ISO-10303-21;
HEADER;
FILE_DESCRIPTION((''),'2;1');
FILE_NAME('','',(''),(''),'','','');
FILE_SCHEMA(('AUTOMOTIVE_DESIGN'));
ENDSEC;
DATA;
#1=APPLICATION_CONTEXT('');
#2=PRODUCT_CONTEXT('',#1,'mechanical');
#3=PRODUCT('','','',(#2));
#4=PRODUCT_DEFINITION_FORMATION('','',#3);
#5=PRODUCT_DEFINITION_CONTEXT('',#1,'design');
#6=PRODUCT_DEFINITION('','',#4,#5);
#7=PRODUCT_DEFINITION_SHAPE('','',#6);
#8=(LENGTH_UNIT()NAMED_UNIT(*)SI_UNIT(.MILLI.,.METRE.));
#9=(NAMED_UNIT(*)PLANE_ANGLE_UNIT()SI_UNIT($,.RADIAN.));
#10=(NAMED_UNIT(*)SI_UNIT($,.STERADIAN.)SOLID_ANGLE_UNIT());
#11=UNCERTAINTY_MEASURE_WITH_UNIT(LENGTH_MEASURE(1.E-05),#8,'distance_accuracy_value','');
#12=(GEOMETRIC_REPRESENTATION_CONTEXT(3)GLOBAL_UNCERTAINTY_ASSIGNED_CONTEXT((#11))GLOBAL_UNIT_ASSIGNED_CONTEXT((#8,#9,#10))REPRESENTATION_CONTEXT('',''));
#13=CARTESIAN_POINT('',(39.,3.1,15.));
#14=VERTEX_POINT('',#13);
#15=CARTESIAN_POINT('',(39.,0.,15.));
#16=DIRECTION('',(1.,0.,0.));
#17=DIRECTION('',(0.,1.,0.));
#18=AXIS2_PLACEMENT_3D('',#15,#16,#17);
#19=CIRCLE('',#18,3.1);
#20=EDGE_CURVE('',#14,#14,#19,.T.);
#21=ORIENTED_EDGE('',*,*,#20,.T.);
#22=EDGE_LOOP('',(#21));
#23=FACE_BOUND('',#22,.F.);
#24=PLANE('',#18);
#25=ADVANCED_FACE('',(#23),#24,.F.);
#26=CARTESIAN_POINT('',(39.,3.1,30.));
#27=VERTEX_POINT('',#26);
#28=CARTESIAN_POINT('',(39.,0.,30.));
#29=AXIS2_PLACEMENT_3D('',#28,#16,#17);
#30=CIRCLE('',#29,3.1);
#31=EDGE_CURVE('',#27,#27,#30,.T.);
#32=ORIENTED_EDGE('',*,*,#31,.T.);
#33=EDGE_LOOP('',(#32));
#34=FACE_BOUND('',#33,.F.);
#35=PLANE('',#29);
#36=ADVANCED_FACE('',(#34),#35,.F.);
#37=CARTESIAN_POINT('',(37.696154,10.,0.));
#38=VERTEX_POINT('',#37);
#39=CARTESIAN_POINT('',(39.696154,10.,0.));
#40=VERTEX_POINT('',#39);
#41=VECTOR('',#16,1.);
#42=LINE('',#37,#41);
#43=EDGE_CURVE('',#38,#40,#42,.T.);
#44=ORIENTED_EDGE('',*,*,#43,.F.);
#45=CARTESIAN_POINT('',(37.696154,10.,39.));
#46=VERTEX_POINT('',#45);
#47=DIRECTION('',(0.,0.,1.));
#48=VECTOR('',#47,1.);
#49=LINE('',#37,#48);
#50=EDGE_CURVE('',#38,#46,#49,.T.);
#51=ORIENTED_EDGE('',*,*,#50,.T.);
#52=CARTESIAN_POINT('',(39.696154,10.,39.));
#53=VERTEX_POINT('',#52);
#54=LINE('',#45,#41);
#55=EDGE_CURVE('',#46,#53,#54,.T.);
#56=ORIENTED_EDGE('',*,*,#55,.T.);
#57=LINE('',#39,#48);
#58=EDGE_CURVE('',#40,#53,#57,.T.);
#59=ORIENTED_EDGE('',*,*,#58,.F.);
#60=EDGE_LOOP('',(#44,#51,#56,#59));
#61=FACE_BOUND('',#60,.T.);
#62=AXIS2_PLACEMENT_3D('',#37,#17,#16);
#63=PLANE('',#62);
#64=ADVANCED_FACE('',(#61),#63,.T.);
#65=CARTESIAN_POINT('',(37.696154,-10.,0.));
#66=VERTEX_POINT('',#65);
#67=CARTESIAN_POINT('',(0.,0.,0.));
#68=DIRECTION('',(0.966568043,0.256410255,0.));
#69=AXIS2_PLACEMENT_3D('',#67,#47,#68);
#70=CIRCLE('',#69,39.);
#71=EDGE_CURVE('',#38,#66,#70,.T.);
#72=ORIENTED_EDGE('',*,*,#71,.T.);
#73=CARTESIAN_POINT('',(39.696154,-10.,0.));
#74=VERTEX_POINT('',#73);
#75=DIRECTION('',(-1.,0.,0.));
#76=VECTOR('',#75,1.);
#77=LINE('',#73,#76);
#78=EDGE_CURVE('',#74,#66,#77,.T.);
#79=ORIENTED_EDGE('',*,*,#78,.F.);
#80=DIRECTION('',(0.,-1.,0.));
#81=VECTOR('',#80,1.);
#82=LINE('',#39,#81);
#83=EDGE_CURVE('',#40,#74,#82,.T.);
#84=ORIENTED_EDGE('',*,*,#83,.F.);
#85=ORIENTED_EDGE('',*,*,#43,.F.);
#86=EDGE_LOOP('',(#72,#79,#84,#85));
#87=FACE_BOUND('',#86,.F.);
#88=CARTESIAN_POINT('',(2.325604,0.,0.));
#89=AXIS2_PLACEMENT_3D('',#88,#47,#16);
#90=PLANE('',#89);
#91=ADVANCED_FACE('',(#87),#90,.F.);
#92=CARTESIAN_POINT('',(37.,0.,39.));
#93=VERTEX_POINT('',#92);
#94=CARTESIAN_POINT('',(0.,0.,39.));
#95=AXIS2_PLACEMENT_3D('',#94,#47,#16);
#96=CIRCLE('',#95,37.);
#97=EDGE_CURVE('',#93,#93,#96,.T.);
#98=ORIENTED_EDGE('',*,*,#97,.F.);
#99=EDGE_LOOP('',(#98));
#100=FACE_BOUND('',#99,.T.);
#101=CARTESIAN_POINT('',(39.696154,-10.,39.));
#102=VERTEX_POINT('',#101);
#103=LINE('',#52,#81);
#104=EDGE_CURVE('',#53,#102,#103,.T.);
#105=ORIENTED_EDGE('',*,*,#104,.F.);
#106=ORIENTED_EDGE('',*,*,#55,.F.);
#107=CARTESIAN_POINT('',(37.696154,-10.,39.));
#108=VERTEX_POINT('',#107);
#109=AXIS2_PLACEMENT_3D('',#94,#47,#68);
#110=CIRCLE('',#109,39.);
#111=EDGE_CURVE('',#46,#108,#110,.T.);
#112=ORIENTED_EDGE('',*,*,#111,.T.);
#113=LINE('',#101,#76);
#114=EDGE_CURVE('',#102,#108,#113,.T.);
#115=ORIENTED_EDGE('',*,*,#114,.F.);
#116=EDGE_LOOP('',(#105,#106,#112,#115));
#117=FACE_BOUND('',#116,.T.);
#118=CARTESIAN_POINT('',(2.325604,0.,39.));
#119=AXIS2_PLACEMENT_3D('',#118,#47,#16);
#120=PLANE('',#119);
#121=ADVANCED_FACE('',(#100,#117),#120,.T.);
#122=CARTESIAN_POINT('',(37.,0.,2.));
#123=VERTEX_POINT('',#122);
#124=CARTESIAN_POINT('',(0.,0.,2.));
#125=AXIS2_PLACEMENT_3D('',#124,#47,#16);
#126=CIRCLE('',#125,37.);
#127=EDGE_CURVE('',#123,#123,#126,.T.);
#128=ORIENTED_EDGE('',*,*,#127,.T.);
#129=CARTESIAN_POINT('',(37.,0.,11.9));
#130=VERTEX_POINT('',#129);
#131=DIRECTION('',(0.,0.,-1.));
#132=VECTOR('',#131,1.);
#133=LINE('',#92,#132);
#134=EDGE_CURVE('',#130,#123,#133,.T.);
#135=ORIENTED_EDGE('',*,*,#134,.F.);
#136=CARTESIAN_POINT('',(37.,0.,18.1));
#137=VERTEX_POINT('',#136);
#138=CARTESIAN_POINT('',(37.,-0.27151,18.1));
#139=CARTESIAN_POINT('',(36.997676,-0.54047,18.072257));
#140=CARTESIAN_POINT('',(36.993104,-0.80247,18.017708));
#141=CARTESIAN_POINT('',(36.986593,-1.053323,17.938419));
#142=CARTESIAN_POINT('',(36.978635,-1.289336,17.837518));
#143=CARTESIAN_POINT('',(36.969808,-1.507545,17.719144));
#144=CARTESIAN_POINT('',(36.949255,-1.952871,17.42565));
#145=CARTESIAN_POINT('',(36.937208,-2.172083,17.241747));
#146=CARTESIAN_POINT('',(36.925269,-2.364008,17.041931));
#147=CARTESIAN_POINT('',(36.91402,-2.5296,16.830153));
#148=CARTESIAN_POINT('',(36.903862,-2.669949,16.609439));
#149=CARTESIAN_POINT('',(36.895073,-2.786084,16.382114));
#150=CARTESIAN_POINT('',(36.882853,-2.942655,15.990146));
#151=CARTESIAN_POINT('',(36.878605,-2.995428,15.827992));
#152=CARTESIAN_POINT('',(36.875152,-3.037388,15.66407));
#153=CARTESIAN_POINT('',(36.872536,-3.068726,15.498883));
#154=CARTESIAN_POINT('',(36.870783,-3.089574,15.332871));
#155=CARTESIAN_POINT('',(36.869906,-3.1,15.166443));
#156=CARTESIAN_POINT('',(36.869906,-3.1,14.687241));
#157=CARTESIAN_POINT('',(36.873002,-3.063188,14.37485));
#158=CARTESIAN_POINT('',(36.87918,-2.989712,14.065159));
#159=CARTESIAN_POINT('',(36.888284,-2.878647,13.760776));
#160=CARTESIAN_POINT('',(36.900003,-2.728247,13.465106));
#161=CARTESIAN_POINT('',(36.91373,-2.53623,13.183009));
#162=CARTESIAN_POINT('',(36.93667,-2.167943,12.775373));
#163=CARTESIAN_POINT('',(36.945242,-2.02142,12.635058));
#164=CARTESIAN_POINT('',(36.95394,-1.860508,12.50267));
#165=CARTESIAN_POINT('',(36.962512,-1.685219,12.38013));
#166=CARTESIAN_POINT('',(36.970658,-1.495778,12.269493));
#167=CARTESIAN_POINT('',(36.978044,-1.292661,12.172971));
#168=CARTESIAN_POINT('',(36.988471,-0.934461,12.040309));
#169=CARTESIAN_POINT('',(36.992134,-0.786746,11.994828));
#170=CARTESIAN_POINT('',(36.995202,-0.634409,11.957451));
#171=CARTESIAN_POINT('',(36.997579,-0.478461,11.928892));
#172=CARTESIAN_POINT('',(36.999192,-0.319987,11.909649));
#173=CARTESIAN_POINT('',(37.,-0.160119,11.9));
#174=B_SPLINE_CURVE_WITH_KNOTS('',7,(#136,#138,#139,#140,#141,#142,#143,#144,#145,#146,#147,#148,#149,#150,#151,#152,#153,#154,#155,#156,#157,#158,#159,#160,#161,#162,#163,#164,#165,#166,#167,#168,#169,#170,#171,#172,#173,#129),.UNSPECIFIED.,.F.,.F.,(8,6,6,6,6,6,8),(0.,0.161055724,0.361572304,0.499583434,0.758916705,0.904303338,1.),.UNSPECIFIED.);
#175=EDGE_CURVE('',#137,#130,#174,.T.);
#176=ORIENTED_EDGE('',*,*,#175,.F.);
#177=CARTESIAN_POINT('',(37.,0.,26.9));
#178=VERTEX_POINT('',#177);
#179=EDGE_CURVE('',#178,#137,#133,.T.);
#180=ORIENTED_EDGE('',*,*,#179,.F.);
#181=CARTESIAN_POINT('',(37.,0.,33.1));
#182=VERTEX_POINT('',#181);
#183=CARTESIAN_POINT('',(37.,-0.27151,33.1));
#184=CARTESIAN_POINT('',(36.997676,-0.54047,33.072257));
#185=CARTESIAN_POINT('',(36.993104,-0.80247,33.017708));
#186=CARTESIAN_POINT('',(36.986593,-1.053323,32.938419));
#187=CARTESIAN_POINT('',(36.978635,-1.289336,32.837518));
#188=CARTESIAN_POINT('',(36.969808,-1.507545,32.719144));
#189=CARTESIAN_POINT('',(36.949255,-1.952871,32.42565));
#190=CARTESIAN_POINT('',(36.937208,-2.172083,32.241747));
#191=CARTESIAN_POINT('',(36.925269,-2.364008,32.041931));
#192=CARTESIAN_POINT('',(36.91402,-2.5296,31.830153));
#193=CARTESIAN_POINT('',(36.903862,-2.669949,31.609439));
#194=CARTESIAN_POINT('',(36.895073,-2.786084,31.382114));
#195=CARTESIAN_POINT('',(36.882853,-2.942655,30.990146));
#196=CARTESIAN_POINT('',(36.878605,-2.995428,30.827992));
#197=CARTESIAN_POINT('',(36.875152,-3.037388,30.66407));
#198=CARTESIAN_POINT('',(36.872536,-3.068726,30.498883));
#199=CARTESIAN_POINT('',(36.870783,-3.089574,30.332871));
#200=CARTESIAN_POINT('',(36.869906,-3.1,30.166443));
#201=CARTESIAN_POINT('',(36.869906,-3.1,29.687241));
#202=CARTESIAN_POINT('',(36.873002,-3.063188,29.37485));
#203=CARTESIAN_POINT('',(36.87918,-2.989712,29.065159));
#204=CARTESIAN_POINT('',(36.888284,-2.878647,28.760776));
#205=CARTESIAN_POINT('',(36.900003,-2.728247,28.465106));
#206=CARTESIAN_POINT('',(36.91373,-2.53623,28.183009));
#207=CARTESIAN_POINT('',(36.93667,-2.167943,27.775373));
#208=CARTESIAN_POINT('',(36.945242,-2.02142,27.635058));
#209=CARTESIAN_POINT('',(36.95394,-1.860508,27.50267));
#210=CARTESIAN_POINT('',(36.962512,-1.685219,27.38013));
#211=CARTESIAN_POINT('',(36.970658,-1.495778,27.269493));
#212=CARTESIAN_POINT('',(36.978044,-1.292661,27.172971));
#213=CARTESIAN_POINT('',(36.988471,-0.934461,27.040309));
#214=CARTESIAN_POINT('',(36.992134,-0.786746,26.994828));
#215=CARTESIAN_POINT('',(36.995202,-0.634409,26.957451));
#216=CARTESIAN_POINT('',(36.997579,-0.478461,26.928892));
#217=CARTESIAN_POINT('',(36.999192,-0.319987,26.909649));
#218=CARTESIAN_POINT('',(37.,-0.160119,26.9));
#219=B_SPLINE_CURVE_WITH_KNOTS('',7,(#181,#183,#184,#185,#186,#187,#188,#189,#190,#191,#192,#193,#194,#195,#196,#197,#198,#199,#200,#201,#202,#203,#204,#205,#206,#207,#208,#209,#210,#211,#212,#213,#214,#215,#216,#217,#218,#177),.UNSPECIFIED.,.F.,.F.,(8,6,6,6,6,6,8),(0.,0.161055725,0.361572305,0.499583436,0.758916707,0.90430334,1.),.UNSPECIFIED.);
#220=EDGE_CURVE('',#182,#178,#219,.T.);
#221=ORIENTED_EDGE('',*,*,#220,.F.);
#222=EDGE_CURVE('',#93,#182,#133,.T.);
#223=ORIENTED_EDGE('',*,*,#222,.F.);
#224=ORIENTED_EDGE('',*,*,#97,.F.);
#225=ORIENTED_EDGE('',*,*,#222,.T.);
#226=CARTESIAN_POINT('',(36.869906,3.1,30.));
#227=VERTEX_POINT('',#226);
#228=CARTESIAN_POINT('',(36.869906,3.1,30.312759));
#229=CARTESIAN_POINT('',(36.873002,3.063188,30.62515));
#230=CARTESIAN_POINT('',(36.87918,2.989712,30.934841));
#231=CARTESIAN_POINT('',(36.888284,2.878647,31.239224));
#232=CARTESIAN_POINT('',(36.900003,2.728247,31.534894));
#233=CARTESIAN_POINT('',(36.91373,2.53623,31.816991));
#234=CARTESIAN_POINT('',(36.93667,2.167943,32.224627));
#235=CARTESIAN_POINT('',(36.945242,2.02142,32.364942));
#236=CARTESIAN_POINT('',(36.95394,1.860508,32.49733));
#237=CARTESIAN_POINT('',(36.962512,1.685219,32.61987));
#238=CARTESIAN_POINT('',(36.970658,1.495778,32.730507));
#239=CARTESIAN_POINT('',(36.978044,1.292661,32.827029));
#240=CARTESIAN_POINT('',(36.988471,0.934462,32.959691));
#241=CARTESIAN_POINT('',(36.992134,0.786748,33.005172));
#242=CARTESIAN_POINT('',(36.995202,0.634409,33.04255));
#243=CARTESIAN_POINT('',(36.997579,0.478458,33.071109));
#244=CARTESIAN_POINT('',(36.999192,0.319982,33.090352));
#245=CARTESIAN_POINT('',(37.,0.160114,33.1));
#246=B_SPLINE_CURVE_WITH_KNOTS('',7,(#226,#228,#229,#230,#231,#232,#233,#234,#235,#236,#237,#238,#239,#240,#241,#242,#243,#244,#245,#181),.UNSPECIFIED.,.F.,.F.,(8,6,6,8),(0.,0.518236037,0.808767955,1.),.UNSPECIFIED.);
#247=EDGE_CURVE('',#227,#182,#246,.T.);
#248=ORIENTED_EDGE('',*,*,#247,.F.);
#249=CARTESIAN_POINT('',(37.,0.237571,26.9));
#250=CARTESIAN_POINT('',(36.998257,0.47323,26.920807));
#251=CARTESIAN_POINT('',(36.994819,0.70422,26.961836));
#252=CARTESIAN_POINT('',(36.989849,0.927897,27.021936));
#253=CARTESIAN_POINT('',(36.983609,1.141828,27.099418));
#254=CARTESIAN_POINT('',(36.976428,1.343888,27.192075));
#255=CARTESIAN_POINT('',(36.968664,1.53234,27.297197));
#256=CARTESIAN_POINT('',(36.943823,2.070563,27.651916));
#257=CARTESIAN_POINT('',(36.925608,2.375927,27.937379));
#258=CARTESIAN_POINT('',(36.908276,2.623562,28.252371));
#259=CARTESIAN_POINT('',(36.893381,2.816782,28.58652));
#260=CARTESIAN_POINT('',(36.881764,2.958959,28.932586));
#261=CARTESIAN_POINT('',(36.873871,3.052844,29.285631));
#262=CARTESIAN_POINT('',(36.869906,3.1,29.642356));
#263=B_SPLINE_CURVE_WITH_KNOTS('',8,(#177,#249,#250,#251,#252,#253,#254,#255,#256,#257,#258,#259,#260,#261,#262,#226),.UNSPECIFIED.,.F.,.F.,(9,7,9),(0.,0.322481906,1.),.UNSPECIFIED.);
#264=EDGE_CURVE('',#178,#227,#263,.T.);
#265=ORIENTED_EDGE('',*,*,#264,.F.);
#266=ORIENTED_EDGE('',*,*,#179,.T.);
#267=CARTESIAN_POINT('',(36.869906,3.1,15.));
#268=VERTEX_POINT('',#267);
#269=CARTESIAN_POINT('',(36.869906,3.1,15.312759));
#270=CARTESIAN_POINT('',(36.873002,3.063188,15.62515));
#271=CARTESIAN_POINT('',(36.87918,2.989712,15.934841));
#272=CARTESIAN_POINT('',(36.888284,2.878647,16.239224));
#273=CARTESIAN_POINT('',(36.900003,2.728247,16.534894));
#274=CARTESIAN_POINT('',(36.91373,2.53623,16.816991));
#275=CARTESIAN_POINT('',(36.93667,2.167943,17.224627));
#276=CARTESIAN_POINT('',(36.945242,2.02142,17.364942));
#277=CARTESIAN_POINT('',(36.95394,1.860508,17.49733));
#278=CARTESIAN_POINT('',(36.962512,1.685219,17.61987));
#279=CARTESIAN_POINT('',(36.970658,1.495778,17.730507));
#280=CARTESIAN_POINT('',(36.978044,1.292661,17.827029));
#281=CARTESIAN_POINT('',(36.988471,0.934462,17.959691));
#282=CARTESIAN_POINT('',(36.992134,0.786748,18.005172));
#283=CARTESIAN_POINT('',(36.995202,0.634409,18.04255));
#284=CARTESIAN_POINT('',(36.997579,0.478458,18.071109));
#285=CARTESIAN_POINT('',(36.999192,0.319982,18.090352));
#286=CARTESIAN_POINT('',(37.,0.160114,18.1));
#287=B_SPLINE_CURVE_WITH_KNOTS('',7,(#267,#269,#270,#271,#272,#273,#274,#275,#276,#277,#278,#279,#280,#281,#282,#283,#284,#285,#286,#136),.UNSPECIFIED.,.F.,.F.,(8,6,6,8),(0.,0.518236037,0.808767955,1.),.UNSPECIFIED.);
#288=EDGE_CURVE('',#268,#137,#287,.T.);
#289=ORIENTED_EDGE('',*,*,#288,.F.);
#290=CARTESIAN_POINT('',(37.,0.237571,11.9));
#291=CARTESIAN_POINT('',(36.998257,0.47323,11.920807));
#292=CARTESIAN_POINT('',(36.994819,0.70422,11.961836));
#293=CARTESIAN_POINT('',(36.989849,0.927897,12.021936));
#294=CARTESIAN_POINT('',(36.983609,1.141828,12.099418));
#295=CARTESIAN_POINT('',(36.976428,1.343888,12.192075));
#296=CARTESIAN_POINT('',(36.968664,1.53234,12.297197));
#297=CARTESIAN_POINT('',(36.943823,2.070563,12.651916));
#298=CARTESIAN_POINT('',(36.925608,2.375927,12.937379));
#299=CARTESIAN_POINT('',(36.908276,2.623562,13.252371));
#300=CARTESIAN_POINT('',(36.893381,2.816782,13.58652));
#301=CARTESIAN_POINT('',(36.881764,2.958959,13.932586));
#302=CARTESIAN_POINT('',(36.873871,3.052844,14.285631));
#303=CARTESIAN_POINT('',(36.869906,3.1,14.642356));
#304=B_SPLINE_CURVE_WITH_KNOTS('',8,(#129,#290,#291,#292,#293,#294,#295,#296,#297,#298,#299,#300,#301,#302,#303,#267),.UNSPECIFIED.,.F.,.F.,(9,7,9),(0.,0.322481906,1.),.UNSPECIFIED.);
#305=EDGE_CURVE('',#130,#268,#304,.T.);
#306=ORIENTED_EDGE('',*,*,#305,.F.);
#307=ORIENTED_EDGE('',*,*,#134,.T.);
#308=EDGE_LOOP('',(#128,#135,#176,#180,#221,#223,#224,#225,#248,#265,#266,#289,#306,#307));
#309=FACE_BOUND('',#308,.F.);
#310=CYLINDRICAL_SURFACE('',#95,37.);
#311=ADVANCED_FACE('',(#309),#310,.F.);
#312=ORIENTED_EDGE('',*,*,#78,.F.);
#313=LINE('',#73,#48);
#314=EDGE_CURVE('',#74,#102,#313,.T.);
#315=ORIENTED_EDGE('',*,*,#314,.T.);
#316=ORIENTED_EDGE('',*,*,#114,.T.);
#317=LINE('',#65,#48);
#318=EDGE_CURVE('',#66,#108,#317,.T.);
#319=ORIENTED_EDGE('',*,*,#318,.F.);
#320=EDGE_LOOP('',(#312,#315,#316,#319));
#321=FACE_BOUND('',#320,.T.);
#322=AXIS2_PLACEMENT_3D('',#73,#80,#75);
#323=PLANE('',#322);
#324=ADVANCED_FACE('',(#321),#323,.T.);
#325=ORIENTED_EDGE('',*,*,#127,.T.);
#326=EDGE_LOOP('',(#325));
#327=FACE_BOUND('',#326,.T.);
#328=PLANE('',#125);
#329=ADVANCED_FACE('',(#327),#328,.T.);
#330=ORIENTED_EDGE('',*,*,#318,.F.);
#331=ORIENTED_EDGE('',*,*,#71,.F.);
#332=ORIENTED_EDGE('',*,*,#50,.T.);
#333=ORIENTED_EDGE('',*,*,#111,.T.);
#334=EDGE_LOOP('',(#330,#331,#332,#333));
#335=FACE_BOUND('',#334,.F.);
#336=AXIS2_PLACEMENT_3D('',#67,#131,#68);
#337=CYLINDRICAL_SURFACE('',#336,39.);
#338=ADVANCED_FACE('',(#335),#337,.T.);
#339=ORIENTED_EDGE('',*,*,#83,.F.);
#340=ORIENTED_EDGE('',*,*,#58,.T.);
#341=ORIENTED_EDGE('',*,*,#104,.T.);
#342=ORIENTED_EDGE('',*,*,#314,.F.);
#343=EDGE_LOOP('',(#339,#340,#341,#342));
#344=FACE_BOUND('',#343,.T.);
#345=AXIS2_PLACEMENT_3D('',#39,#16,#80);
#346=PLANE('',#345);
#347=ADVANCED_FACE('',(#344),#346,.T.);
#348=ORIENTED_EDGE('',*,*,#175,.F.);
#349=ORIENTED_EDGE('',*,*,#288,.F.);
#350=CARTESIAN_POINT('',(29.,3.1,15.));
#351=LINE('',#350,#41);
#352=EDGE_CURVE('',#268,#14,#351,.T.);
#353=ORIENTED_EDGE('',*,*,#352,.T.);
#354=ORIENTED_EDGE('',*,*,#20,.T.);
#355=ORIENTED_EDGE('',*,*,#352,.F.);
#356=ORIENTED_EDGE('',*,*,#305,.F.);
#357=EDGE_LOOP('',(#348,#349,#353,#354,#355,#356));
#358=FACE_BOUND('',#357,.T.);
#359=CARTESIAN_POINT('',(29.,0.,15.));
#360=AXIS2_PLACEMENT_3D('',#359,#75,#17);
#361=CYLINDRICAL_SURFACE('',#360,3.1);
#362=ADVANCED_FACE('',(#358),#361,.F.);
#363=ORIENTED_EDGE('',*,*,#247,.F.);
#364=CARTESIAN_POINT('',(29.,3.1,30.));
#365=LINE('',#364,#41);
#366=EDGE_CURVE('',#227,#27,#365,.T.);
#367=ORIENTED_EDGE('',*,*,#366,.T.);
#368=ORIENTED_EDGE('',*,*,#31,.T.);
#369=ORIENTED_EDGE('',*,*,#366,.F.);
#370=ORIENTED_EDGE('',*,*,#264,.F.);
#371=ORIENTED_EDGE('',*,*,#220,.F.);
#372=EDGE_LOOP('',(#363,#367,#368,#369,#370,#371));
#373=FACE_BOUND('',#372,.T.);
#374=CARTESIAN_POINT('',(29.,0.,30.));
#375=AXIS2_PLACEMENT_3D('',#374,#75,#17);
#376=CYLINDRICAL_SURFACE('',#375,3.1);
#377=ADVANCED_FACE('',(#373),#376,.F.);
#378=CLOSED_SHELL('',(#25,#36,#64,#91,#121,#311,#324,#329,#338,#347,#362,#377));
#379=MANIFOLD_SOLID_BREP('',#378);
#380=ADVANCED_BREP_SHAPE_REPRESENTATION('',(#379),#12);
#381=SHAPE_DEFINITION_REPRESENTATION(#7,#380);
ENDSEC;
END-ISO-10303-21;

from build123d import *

# Parameters (mm, degrees)
SKETCH002_R  = 3.1
PAD001_DEPTH = 10
PAD_DEPTH    = 39
SKETCH001_R  = 37
POCKET_DEPTH = 37


with BuildPart() as pad001:
    # Sketch002 → Pad001 (new body)
    with BuildSketch(Plane.YZ.offset(29)):
        with Locations((0, 30)):
            Circle(SKETCH002_R)
        with Locations((0, 15)):
            Circle(SKETCH002_R)
    extrude(amount=PAD001_DEPTH)


with BuildPart() as cut:
    # Sketch → Pad (new body)
    with BuildSketch(Plane.XY):
        with BuildLine():
            ThreePointArc((37.696154, 10), (-39, 0), (37.696154, -10))
            Line((39.696154, -10), (37.696154, -10))
            Line((39.696154, 10), (39.696154, -10))
            Line((37.696154, 10), (39.696154, 10))
        make_face()
    extrude(amount=PAD_DEPTH)

    # Sketch001 → Pocket (cut)
    with BuildSketch(Plane.XY.offset(39)):
        Circle(SKETCH001_R)
    extrude(amount=-POCKET_DEPTH, mode=Mode.SUBTRACT)

    # Cut: cut Pad001
    add(pad001.part, mode=Mode.SUBTRACT)


solid = cut.part
